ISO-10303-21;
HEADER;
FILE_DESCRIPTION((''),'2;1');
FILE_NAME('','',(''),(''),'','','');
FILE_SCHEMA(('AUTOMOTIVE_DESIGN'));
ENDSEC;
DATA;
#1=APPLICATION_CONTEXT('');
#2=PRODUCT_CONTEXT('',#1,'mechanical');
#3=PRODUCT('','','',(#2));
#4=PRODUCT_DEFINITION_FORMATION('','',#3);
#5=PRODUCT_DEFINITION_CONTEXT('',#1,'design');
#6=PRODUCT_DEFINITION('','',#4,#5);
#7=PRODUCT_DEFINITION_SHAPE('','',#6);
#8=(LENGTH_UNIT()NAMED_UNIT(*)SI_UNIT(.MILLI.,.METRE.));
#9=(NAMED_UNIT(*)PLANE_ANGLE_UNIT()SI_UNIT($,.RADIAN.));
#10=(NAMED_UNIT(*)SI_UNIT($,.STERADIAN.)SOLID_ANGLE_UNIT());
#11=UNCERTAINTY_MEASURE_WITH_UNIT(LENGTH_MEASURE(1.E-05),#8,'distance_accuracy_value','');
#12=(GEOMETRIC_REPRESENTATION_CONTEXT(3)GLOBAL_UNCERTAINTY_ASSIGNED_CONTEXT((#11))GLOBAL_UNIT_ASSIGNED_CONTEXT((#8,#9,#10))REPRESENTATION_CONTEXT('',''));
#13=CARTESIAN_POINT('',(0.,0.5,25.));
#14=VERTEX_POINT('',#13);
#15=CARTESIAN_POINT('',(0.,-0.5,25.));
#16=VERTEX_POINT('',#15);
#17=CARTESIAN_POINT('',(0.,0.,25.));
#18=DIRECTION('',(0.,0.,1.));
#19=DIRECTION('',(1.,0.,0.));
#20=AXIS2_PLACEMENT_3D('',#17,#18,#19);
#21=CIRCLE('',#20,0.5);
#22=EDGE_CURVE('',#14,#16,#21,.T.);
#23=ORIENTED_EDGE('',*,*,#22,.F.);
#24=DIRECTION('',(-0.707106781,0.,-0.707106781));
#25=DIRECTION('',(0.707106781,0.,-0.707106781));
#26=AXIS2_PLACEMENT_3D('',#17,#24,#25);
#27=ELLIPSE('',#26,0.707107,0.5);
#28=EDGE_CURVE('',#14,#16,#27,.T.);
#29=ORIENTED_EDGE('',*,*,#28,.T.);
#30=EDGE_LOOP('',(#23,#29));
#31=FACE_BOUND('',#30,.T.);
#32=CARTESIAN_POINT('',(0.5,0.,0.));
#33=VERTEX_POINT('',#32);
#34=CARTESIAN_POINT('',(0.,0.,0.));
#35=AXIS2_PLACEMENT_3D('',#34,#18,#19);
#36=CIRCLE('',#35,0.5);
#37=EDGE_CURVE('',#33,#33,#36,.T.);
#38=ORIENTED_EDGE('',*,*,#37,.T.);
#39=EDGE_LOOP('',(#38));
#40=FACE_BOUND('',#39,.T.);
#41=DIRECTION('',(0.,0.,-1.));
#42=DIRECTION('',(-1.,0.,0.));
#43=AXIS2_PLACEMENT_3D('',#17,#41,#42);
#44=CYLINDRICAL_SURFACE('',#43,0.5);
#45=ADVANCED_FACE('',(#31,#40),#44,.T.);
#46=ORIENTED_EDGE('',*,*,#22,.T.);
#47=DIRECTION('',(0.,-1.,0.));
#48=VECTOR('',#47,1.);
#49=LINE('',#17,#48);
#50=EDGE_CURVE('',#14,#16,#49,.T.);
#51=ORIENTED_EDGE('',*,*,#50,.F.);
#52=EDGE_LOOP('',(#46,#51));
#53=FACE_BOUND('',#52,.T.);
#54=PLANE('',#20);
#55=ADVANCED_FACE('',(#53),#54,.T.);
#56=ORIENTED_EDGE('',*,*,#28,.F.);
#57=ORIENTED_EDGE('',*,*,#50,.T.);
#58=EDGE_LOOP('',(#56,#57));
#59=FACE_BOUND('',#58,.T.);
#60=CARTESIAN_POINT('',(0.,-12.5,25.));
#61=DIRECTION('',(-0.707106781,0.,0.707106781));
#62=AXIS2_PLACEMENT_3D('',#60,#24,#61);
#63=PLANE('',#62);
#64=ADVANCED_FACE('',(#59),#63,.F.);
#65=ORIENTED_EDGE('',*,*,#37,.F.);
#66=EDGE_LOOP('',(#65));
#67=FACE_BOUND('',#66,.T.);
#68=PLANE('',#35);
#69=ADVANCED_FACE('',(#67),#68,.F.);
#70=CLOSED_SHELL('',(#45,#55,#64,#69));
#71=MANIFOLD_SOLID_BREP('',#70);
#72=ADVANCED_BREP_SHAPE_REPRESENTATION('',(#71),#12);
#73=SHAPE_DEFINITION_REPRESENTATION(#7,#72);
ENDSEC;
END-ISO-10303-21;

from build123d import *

# Parameters (mm, degrees)
SKETCH_1_R          = 0.5
EXTRUDE_1_DEPTH     = 25
CUT_EXTRUDE_1_DEPTH = 12.5


with BuildPart() as part:
    # 草图1 → 凸台-拉伸1 (new body)
    with BuildSketch(Plane.XY):
        Circle(SKETCH_1_R)
    extrude(amount=EXTRUDE_1_DEPTH)

    # 草图2 → 切除-拉伸1 (cut, symmetric)
    with BuildSketch(Plane(origin=(0, 0, 0), x_dir=(1, 0, 0), z_dir=(0, 1, 0))):
        Polygon((0, -25), (0.5, -24.5), (0.5, -25), align=None)
    extrude(amount=CUT_EXTRUDE_1_DEPTH, both=True, mode=Mode.SUBTRACT)


solid = part.part
